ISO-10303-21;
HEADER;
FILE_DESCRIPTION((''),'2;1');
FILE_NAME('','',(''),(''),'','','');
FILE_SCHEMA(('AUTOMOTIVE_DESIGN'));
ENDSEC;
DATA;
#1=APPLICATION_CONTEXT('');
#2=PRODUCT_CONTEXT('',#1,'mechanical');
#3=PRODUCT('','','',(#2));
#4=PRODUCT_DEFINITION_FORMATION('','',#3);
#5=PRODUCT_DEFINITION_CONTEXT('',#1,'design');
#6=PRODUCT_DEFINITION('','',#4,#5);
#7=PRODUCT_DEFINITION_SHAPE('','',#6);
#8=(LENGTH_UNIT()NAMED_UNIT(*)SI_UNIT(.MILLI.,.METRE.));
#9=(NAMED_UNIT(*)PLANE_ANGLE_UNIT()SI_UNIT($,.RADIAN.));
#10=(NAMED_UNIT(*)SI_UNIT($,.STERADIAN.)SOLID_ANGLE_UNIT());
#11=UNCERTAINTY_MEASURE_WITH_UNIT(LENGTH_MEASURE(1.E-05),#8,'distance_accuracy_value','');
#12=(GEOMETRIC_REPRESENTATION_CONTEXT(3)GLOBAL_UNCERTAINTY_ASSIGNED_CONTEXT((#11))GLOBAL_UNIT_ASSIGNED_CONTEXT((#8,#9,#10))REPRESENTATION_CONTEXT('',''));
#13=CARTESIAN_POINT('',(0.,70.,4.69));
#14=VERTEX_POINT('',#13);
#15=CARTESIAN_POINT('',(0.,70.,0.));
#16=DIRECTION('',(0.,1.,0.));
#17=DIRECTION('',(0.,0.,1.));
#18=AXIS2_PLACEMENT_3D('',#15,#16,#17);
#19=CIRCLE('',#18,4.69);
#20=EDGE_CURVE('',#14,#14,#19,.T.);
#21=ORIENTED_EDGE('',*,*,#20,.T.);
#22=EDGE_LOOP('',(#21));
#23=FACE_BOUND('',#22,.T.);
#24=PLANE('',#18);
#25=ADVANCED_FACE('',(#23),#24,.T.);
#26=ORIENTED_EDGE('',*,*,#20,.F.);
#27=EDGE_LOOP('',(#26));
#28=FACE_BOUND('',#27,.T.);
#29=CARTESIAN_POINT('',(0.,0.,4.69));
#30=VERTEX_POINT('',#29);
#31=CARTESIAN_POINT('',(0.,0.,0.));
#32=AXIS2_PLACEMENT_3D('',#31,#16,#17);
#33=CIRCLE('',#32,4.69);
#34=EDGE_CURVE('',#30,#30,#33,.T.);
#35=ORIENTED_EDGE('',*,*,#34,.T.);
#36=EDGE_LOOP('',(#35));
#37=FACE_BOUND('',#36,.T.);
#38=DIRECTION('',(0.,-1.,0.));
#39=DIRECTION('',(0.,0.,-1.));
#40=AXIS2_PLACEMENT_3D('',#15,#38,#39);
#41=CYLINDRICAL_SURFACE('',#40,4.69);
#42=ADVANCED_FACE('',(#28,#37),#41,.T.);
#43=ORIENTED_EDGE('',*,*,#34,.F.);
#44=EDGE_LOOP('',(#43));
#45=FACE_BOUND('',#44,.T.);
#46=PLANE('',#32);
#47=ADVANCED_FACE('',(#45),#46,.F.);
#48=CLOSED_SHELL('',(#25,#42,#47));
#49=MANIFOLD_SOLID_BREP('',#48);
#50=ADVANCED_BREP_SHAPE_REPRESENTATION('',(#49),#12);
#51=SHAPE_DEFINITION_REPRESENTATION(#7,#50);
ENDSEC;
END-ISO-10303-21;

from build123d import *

# Parameters (mm, degrees)
SKETCH1_R           = 4.69
BOSS_EXTRUDE1_DEPTH = 70


with BuildPart() as part:
    # Sketch1 → Boss-Extrude1 (new body)
    with BuildSketch(Plane(origin=(0, 0, 0), x_dir=(1, 0, 0), z_dir=(0, 1, 0))):
        Circle(SKETCH1_R)
    extrude(amount=BOSS_EXTRUDE1_DEPTH)


solid = part.part
